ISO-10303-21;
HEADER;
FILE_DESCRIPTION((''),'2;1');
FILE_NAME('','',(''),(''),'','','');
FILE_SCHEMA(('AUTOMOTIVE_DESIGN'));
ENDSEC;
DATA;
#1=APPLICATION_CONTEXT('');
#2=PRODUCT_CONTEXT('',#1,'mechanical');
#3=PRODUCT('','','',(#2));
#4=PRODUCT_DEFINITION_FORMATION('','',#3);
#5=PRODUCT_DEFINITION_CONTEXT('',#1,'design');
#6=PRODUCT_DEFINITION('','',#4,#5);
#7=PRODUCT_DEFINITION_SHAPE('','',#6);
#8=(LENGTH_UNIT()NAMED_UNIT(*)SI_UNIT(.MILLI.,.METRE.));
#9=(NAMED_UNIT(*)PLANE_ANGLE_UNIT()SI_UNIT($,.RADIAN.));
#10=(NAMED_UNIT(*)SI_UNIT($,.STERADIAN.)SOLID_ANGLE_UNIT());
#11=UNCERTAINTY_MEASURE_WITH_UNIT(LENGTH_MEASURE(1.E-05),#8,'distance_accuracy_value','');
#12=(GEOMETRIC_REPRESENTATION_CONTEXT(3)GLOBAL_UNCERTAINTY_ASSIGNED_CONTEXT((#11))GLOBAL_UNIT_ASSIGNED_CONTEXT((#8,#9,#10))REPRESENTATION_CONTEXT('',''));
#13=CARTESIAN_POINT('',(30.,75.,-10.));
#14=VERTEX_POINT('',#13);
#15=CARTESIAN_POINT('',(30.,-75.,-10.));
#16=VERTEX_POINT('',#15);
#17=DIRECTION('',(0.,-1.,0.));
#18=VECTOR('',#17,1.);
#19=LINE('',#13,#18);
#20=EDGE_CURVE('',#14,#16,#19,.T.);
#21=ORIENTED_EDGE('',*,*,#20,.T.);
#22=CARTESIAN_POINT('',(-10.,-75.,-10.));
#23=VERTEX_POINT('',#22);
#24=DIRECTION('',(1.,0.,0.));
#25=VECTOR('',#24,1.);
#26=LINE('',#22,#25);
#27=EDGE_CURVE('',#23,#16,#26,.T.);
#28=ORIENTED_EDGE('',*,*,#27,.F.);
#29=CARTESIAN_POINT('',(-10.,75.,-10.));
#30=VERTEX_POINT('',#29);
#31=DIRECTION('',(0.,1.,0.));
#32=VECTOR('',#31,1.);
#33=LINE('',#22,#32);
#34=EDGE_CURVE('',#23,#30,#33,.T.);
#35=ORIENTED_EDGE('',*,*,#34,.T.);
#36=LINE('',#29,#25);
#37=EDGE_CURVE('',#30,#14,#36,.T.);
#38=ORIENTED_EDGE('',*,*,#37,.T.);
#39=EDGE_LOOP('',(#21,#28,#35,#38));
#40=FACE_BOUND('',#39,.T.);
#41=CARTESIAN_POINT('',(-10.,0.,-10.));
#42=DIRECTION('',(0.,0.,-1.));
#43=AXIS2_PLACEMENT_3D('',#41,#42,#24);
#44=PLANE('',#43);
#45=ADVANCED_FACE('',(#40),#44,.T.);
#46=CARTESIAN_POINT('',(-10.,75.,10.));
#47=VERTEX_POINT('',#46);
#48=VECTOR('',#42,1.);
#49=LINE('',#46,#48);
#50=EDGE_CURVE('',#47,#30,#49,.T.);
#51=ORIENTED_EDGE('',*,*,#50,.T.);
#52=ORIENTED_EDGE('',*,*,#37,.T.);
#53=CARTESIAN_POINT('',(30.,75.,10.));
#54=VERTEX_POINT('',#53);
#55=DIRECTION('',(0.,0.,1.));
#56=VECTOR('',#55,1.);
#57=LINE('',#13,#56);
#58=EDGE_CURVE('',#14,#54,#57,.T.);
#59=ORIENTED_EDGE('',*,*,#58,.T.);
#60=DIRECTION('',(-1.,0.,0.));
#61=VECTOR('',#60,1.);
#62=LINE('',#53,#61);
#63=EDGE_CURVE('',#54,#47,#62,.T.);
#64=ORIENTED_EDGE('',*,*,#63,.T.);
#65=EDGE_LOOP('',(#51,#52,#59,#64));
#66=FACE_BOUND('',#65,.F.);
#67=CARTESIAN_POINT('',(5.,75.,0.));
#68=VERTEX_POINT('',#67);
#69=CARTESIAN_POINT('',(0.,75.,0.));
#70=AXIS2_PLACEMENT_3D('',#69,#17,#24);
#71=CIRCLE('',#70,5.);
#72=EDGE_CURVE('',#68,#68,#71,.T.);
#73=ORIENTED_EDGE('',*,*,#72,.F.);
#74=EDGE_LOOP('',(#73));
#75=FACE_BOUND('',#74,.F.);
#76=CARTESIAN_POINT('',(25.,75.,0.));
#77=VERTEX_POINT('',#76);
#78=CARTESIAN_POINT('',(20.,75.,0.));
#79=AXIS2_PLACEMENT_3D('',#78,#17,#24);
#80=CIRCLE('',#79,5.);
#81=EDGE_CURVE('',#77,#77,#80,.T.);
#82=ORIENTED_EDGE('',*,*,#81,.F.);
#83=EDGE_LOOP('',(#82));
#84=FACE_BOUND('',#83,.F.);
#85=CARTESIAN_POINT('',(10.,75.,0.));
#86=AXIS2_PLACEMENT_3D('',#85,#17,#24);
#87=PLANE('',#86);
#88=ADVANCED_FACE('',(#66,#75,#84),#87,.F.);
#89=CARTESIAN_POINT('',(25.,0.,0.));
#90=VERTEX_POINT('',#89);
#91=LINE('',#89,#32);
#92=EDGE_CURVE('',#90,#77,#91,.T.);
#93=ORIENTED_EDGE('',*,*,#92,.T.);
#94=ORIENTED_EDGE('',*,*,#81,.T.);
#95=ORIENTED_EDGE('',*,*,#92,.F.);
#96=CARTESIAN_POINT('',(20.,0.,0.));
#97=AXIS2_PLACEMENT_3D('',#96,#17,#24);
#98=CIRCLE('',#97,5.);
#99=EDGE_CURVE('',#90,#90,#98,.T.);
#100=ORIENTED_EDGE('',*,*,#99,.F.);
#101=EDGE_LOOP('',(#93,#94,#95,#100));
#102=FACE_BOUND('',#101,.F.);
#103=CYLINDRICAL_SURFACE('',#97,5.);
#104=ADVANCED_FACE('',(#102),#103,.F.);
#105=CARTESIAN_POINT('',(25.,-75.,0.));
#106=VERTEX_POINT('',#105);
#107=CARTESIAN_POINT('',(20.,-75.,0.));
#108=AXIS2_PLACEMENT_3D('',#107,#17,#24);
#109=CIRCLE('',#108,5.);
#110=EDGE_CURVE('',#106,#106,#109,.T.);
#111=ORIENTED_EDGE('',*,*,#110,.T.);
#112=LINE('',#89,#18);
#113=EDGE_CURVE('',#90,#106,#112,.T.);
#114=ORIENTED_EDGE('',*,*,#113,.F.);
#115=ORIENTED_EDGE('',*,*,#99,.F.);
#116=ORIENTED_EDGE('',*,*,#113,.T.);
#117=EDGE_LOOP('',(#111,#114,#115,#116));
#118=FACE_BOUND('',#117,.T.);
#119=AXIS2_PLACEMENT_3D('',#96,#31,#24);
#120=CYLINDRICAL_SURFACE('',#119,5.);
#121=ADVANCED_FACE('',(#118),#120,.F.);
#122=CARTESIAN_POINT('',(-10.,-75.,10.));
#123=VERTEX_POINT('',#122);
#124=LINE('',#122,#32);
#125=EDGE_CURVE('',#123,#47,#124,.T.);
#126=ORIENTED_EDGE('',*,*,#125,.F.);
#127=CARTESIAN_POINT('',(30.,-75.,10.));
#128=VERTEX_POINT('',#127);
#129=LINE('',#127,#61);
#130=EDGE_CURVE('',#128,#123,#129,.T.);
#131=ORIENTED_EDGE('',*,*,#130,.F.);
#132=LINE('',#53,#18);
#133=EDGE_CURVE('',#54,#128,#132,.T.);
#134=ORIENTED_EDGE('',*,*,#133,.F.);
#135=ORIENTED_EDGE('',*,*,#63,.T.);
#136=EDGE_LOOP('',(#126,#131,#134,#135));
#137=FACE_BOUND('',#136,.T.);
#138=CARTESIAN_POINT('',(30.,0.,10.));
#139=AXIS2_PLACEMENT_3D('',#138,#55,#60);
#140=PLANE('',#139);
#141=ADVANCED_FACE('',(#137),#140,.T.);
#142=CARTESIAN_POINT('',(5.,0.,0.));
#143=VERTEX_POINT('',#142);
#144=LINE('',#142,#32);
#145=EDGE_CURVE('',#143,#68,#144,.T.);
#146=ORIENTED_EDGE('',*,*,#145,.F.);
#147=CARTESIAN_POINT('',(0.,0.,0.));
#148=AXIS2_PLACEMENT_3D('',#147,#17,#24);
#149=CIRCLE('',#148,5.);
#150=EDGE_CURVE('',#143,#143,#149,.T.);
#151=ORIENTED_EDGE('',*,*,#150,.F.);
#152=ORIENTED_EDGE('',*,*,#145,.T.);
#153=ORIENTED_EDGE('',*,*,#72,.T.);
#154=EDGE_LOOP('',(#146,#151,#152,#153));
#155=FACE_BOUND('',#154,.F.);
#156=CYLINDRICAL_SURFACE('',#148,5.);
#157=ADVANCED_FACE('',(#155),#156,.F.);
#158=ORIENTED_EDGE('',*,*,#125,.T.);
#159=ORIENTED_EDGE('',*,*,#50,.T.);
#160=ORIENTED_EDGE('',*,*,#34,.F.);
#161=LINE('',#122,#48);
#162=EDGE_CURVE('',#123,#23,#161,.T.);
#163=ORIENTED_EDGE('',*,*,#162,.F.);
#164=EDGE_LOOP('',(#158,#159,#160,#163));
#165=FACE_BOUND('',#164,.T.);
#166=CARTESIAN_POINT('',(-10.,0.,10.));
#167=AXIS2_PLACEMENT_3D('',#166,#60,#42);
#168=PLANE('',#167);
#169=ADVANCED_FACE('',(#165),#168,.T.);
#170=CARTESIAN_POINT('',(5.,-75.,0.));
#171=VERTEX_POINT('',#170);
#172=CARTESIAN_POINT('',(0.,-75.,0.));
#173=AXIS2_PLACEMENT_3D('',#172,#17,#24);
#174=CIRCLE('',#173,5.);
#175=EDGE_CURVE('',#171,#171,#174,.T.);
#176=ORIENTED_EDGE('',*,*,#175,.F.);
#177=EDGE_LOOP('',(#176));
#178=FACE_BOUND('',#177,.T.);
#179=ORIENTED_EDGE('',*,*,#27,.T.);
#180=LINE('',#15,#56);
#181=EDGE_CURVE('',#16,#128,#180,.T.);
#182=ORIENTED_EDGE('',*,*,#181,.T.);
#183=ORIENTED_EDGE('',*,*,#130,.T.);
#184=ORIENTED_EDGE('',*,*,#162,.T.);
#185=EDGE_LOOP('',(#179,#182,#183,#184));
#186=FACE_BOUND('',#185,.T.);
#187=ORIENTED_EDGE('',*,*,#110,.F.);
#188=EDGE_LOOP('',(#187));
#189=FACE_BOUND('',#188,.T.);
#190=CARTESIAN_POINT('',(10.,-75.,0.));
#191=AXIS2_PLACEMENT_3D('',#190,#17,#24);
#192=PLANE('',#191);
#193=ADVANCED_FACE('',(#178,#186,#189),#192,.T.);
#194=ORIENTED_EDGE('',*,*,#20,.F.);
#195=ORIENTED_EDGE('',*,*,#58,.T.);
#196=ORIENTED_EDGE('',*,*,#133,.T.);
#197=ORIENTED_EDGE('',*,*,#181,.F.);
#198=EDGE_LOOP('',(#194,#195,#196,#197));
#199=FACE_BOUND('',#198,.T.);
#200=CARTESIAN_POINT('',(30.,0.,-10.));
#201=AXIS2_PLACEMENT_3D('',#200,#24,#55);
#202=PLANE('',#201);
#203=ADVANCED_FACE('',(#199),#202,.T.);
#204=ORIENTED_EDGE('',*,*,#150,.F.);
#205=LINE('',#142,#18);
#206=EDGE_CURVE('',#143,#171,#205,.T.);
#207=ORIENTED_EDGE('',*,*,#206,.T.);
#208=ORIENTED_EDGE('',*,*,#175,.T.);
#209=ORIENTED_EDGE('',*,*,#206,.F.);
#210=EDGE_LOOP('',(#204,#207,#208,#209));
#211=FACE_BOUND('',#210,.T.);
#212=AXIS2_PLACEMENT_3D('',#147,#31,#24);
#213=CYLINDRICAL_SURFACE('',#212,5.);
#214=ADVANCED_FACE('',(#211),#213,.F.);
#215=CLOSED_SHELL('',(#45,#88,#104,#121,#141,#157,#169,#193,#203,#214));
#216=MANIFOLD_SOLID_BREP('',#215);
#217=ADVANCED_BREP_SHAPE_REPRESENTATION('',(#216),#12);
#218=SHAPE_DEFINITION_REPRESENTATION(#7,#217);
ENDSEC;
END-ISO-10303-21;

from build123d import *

# Parameters (mm, degrees)
F0_R          = 5
F1_DEPTH      = 75
F1_DEPTH_BACK = 75


with BuildPart() as f1:
    # F0 (on Front) → F1 (new body, two sides)
    with BuildSketch(Plane.XZ) as f1_sk:
        Polygon((-10, -10), (10, -10), (30, -10), (30, 10), (10, 10), (-10, 10), align=None)
        Circle(F0_R, mode=Mode.SUBTRACT)
        with Locations((20, 0)):
            Circle(F0_R, mode=Mode.SUBTRACT)
    extrude(amount=F1_DEPTH)
    extrude(f1_sk.sketch, amount=-F1_DEPTH_BACK)


solid = f1.part
